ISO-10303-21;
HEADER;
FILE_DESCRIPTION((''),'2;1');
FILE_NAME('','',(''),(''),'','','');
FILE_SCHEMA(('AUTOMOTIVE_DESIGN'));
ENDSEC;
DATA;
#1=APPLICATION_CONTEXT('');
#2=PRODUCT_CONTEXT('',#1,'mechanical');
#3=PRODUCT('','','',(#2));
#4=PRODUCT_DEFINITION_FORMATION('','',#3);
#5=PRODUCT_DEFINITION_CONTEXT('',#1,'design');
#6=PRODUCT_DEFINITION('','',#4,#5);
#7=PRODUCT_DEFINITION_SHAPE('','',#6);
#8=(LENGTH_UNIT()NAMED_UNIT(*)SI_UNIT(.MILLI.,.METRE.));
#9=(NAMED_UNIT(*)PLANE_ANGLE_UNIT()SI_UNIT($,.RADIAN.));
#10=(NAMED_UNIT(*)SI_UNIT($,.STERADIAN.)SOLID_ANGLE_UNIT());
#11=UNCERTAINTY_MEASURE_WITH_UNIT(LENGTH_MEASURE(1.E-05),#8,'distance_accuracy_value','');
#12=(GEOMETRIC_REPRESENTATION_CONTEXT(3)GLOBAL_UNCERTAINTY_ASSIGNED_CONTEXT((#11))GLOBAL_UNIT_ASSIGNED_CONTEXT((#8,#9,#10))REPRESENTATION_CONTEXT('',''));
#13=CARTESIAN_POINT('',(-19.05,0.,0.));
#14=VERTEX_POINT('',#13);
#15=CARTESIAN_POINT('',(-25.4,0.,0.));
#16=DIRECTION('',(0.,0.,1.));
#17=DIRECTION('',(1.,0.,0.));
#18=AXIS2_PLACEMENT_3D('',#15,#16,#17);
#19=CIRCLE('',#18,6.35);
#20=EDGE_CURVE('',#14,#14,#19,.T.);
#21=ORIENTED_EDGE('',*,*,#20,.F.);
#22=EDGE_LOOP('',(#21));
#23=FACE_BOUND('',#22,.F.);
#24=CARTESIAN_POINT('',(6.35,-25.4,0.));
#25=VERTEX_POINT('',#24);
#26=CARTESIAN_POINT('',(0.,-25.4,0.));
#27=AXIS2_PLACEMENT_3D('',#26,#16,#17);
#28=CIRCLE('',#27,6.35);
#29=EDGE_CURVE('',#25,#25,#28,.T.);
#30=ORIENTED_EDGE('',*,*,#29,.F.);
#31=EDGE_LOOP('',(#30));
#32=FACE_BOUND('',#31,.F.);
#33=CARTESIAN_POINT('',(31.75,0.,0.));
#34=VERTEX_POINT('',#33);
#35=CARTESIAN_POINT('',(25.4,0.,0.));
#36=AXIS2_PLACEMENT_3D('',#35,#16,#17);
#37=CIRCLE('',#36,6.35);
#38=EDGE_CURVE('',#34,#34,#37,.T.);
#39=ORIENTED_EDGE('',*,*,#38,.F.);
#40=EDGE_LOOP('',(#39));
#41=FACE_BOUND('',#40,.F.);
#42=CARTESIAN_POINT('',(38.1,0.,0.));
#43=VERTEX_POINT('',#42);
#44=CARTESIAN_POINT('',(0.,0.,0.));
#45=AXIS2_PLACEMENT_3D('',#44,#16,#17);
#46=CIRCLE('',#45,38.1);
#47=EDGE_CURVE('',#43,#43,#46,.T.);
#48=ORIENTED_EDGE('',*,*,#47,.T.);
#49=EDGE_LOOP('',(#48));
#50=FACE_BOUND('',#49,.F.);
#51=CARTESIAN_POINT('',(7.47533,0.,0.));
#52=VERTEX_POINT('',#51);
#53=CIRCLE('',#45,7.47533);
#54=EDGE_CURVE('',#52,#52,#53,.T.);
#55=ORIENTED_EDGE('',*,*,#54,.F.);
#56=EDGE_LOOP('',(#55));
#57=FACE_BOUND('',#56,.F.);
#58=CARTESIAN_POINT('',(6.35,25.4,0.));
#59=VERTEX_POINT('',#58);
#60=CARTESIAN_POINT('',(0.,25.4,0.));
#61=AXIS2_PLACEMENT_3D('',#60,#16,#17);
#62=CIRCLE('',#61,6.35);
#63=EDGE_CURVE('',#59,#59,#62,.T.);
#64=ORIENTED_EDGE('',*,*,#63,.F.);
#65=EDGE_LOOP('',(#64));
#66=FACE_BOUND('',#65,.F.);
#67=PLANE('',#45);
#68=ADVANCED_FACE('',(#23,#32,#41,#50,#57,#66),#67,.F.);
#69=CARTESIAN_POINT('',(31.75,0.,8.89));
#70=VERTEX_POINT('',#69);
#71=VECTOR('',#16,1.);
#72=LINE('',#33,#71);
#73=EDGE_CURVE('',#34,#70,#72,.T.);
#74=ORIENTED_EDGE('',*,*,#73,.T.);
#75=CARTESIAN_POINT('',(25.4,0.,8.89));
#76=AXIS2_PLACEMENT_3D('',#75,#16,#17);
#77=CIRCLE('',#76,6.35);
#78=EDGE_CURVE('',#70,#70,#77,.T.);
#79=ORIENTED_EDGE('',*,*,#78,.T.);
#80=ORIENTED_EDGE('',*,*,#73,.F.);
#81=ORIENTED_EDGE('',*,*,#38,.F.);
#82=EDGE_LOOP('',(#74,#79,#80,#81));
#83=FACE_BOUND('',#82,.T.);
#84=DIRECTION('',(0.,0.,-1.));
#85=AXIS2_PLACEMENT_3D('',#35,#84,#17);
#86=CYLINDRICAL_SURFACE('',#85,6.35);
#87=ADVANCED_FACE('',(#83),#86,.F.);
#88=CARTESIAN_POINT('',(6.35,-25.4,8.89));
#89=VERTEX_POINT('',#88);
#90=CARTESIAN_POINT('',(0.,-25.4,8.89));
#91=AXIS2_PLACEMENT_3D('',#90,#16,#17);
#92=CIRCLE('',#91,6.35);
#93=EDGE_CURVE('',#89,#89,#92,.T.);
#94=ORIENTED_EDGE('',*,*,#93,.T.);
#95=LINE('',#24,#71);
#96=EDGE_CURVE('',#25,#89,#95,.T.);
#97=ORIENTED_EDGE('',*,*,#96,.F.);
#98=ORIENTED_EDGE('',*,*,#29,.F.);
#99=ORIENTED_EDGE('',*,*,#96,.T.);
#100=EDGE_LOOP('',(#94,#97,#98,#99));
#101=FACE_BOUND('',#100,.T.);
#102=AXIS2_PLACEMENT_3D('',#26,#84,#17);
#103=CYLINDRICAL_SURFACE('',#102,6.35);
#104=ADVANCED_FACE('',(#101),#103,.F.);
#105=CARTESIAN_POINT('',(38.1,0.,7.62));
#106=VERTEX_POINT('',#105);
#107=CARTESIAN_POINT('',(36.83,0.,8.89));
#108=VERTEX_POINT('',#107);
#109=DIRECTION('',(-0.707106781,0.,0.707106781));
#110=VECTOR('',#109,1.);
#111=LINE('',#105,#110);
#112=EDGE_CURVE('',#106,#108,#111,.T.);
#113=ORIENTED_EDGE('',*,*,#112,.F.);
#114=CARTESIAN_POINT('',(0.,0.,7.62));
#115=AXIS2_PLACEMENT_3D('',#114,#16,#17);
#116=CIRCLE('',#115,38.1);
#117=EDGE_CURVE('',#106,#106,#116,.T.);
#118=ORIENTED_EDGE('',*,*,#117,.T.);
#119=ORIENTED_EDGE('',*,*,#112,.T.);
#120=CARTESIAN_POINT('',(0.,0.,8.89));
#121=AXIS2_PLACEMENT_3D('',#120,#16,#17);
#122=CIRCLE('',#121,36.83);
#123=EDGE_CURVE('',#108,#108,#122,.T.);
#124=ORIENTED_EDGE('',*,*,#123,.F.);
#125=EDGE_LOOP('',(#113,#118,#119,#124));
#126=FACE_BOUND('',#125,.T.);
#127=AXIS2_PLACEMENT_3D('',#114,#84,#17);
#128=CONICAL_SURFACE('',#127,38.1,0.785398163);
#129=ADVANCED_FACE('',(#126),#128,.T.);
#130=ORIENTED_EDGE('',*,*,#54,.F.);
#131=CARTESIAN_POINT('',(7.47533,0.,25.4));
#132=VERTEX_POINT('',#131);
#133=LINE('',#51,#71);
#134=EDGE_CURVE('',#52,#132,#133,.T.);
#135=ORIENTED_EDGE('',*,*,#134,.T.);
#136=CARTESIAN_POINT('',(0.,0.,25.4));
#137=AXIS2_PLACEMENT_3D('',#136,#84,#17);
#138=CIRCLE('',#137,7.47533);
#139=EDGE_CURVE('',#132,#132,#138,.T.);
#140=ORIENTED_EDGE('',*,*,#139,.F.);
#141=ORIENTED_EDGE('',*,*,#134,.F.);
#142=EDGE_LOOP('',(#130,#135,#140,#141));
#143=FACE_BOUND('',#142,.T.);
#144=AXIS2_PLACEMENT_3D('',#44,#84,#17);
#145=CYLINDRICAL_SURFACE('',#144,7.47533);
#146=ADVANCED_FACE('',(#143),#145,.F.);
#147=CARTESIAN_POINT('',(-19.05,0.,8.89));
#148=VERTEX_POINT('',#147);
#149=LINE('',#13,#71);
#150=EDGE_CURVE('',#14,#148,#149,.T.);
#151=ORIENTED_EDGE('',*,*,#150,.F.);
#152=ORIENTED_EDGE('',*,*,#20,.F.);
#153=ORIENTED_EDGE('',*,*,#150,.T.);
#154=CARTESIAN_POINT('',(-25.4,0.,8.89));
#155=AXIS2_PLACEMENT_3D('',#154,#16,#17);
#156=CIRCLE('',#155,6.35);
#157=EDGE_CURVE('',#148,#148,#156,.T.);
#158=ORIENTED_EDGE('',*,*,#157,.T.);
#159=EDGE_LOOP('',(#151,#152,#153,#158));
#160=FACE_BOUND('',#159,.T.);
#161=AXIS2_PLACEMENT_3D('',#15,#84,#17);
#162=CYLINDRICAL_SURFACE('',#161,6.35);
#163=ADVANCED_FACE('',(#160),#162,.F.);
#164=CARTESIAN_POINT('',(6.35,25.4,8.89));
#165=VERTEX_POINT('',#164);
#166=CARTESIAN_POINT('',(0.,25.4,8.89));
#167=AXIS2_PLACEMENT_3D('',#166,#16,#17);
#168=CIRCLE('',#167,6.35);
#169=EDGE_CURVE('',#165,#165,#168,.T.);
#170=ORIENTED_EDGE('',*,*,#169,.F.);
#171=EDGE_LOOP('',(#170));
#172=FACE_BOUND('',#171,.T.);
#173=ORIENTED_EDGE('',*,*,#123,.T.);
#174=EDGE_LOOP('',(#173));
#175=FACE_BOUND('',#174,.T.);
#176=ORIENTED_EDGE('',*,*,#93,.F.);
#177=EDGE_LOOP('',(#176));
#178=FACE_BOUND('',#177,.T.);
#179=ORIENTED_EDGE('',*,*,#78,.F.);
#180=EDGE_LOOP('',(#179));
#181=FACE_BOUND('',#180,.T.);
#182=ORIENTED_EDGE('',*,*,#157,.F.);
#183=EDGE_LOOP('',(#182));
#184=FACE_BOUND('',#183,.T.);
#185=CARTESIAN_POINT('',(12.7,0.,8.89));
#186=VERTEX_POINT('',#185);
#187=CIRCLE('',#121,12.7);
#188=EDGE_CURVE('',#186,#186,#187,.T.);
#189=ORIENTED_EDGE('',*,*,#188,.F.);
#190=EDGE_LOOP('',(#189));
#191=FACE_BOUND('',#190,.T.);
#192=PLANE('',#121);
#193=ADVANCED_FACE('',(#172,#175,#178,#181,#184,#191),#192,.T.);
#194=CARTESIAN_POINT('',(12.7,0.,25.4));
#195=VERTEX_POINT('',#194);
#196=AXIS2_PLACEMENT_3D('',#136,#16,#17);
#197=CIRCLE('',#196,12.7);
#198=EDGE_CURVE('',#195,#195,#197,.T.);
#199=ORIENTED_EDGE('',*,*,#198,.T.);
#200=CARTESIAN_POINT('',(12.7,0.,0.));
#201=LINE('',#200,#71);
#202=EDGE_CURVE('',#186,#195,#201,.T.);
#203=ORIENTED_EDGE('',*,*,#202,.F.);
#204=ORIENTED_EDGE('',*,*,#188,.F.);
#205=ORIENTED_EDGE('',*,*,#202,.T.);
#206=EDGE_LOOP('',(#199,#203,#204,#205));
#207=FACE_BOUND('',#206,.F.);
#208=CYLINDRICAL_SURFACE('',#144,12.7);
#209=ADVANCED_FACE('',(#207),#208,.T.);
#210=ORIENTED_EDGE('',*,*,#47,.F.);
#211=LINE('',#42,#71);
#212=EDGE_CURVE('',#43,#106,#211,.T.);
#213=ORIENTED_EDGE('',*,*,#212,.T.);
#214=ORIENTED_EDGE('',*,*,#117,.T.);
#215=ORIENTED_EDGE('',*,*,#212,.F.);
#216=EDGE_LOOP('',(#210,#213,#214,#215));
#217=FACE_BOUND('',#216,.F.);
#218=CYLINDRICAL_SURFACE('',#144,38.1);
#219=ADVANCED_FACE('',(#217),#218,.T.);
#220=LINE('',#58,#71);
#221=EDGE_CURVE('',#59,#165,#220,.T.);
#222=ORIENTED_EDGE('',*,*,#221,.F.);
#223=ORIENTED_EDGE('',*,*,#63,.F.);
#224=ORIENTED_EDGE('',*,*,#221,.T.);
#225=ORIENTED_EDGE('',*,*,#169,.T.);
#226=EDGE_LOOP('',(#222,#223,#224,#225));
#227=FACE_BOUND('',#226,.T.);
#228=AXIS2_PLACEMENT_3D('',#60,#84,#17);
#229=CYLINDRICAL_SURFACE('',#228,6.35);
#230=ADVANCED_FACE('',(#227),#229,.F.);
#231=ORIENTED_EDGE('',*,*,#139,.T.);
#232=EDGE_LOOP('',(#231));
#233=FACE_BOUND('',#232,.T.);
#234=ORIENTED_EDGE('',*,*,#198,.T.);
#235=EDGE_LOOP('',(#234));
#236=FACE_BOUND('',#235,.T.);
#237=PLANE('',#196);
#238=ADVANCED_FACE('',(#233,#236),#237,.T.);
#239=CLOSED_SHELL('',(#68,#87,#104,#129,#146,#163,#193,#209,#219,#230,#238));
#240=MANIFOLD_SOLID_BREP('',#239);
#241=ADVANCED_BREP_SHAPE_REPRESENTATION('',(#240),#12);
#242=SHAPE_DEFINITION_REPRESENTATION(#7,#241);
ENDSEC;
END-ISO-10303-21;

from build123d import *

# Parameters (mm, degrees)
F0_R     = 38.1
F0_R_2   = 6.35
F0_R_3   = 12.7
F1_DEPTH = 8.89
F2_SIZE  = 1.27
F3_DEPTH = 25.4
F4_R     = 7.47533
F5_DEPTH = 173.482


with BuildPart() as f1:
    # F0 (on Top) → F1 (new body)
    with BuildSketch(Plane.XY):
        Circle(F0_R)
        with Locations((0, -25.4)):
            Circle(F0_R_2, mode=Mode.SUBTRACT)
        with Locations((-25.4, 0)):
            Circle(F0_R_2, mode=Mode.SUBTRACT)
        Circle(F0_R_3, mode=Mode.SUBTRACT)
        with Locations((25.4, 0)):
            Circle(F0_R_2, mode=Mode.SUBTRACT)
        with Locations((0, 25.4)):
            Circle(F0_R_2, mode=Mode.SUBTRACT)
    extrude(amount=F1_DEPTH)

    # F2
    f2_edges = [f1.edges().sort_by_distance(p)[0] for p in [
        (-38.1, 0, 8.89),
    ]]
    chamfer(f2_edges, length=F2_SIZE)

    # F0 (on Top) → F3 (join)
    with BuildSketch(Plane.XY):
        Circle(F0_R_3)
    extrude(amount=F3_DEPTH)

    # F4 (on Top) → F5 (cut)
    with BuildSketch(Plane.XY):
        Circle(F4_R)
    extrude(amount=F5_DEPTH, mode=Mode.SUBTRACT)


solid = f1.part
